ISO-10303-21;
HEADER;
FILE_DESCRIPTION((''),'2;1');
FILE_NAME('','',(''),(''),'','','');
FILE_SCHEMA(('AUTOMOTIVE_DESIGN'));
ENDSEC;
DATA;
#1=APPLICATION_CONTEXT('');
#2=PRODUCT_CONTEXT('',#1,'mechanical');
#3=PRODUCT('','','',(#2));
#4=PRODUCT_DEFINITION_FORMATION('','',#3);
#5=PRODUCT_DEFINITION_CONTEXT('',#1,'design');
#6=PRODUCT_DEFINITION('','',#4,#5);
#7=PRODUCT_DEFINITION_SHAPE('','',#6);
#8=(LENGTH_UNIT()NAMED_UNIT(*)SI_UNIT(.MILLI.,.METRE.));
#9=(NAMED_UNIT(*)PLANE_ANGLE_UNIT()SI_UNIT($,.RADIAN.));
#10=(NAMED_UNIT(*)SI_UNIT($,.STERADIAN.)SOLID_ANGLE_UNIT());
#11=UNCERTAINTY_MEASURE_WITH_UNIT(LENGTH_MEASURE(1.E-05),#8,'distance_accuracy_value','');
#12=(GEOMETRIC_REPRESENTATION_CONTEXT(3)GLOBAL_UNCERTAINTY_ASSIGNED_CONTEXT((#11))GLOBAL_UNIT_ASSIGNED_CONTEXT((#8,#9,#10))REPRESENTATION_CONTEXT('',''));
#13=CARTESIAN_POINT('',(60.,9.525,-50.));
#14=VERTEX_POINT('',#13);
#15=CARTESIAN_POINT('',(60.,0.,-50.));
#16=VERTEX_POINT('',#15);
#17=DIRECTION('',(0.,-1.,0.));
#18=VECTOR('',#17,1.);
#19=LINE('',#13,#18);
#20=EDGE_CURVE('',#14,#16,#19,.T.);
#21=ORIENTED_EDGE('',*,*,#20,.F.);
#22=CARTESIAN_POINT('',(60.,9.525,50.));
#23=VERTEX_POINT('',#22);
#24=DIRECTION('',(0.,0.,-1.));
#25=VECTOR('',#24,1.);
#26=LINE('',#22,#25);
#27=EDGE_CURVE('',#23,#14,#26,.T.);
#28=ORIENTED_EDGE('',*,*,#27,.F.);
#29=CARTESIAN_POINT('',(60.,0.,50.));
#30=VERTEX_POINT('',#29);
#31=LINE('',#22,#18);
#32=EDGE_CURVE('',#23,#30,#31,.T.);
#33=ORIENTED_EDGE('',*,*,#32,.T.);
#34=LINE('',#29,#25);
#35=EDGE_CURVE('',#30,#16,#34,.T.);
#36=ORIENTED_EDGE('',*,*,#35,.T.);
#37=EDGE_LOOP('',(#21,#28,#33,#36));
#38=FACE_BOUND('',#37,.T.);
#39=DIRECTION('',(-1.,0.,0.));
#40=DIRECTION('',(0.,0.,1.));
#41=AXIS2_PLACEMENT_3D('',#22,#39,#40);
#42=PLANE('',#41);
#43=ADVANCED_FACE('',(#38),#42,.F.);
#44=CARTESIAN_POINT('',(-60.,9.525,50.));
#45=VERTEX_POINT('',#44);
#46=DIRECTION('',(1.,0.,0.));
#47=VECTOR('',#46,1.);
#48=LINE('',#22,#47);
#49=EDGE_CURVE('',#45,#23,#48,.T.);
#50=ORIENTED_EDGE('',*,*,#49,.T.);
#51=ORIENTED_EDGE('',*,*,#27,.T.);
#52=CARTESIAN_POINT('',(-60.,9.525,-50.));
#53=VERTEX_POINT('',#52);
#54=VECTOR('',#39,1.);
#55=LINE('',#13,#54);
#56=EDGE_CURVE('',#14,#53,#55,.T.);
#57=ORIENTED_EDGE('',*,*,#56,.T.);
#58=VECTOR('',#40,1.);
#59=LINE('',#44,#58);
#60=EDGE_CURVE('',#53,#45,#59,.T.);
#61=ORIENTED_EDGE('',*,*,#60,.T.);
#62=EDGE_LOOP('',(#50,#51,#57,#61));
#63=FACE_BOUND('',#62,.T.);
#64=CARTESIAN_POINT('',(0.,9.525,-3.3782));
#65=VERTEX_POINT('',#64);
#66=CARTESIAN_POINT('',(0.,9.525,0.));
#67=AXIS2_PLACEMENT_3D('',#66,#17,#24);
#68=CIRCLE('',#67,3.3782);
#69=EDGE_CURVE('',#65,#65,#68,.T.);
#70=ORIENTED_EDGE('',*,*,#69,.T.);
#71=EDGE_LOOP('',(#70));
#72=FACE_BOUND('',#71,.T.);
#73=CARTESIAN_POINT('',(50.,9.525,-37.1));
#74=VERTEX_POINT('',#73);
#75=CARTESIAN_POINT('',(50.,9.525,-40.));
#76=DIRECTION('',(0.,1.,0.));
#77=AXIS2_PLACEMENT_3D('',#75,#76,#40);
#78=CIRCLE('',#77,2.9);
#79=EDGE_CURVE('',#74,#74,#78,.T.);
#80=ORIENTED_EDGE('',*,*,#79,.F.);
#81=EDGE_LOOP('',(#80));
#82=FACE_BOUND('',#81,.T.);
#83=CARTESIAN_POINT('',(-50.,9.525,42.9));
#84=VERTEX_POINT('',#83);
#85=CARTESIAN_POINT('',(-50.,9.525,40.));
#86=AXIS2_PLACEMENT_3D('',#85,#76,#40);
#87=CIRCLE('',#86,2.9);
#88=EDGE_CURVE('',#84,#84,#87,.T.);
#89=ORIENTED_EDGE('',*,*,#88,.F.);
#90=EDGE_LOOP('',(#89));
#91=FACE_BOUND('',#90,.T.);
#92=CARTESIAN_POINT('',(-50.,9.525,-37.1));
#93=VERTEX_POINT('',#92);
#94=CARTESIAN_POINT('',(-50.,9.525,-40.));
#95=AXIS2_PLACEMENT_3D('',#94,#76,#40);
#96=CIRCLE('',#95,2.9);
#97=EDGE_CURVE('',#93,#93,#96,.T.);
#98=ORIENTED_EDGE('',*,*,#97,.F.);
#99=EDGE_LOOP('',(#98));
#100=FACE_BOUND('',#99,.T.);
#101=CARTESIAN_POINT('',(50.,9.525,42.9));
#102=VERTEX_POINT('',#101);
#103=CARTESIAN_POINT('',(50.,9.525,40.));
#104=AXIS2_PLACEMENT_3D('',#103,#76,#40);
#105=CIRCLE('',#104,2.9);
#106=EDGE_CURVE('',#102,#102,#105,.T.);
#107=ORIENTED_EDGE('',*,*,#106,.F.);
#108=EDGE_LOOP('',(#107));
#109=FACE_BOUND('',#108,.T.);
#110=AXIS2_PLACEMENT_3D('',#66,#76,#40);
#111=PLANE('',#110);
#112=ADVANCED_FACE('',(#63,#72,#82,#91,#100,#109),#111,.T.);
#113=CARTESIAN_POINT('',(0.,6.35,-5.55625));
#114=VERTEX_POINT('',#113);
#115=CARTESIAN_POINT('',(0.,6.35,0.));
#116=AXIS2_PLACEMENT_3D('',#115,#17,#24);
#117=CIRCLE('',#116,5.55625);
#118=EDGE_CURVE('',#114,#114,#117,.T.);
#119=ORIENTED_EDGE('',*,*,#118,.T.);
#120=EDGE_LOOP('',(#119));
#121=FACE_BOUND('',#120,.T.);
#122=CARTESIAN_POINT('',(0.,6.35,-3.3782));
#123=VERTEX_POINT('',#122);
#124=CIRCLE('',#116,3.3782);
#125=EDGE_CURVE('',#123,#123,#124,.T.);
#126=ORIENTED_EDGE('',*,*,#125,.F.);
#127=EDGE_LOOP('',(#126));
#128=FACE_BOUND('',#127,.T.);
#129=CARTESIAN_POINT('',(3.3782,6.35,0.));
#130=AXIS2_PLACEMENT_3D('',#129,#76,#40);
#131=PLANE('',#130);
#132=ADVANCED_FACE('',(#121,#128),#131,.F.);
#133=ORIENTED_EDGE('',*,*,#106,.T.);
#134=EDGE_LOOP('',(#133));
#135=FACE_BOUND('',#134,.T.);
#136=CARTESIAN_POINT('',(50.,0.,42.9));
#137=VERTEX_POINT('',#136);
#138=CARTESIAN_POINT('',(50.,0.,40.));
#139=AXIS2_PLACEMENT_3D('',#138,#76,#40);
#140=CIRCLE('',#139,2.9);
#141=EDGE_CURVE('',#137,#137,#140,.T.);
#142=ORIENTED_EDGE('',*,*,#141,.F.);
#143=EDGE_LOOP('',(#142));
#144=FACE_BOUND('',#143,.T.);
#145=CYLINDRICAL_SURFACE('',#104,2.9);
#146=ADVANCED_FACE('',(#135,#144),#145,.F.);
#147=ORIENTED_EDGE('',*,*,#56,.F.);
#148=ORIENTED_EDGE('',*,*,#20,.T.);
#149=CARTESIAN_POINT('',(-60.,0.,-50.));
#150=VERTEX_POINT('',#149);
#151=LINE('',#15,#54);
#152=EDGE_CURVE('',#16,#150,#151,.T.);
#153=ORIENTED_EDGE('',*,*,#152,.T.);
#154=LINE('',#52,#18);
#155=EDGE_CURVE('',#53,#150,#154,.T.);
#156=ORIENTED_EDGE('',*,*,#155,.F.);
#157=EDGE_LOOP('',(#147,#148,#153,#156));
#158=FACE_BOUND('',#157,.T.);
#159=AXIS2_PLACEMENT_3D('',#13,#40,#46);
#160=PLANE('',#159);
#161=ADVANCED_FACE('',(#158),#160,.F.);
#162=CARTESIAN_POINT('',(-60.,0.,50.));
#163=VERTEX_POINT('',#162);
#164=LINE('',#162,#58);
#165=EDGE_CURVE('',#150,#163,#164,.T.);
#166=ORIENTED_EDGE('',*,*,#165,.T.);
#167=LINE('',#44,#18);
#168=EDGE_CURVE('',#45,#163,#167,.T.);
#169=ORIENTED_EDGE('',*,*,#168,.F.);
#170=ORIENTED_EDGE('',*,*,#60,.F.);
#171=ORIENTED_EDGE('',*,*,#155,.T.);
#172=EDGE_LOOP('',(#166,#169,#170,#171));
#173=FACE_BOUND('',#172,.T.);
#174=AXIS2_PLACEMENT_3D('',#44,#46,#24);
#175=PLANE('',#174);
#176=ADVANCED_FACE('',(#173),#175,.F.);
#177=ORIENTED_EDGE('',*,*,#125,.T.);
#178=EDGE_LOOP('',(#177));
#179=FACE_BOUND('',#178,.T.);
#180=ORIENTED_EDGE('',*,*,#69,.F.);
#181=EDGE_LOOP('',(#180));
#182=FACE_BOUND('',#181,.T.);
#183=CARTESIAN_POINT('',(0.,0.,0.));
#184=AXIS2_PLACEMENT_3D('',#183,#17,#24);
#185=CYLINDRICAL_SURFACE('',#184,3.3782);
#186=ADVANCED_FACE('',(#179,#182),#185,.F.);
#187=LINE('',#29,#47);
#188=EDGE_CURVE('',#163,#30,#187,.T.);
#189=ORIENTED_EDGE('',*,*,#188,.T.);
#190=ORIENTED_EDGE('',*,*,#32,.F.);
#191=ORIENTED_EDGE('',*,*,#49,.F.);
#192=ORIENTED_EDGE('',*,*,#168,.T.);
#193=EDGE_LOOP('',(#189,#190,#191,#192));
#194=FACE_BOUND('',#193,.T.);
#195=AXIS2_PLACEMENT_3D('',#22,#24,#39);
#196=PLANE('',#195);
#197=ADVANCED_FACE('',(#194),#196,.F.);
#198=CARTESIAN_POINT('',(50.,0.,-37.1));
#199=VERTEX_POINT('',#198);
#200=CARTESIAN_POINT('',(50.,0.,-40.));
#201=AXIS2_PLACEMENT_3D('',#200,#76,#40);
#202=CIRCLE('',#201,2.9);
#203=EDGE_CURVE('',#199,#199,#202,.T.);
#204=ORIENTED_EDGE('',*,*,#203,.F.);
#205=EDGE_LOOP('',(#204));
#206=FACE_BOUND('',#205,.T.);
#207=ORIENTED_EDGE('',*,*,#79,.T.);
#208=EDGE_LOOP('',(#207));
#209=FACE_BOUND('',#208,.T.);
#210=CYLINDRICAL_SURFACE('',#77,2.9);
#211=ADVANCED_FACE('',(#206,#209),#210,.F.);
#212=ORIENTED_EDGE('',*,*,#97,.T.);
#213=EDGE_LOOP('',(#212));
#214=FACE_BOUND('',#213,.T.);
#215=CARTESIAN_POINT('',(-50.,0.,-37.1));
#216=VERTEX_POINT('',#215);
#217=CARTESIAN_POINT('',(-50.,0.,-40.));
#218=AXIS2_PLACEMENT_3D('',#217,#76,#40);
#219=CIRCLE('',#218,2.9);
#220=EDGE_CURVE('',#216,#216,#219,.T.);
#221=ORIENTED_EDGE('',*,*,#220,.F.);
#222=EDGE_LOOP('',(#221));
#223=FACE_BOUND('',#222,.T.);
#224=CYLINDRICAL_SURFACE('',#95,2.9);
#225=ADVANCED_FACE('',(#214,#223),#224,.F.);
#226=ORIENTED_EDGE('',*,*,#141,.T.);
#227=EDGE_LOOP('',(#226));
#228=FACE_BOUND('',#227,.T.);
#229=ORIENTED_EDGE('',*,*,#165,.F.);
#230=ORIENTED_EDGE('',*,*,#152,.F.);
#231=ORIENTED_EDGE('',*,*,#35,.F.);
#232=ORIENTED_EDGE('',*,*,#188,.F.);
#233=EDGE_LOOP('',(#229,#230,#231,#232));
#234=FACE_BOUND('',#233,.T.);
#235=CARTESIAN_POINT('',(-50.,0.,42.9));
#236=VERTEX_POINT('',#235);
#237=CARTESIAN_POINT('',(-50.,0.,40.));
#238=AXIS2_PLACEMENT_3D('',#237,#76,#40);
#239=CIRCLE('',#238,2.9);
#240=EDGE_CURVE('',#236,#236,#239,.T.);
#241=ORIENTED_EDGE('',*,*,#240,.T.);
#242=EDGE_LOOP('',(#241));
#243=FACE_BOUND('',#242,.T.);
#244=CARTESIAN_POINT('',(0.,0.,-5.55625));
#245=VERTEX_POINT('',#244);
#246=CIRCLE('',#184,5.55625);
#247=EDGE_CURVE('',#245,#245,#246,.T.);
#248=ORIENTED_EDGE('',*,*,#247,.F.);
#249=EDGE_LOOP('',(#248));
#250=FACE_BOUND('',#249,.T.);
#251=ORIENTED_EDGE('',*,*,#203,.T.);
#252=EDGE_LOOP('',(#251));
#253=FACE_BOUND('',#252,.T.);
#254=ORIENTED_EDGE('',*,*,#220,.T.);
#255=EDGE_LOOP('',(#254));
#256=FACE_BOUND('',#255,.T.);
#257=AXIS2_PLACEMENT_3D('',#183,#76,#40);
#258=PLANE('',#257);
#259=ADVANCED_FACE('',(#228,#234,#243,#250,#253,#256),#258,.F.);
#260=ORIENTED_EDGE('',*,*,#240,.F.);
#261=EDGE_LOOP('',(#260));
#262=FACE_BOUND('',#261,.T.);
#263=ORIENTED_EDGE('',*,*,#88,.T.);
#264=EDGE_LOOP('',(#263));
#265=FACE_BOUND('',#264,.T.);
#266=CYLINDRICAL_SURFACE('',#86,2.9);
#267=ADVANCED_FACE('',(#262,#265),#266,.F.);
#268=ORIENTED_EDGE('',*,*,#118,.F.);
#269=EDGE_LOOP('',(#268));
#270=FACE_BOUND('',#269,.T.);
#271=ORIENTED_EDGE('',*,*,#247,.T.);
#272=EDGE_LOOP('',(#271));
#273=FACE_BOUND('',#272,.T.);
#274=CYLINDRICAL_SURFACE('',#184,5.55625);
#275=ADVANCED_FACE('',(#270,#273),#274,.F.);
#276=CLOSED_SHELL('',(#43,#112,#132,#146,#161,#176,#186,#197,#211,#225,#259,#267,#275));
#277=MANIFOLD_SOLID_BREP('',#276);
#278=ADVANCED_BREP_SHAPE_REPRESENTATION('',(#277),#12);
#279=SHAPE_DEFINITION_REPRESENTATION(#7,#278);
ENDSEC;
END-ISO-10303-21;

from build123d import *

# Parameters (mm, degrees)
SKETCH1_W                                        = 120
SKETCH1_H                                        = 100
BOSS_EXTRUDE1_DEPTH                              = 9.525
M5_CLEARANCE_HOLE1_D                             = 5.8
CBORE_FOR_1_4_SOCKET_HEAD_CAP_SCREW1_D           = 6.7564
CBORE_FOR_1_4_SOCKET_HEAD_CAP_SCREW1_CBORE_D     = 11.1125
CBORE_FOR_1_4_SOCKET_HEAD_CAP_SCREW1_CBORE_DEPTH = 6.35


with BuildPart() as part:
    # Sketch1 → Boss-Extrude1 (new body)
    with BuildSketch(Plane(origin=(0, 0, 0), x_dir=(1, 0, 0), z_dir=(0, 1, 0))):
        Rectangle(SKETCH1_W, SKETCH1_H)
    extrude(amount=BOSS_EXTRUDE1_DEPTH)

    # M5 Clearance Hole1 (through all)
    with Locations(Plane(origin=(0, 9.525, 0), x_dir=(1, 0, 0), z_dir=(0, 1, 0))):
        with Locations((-50, -40), (-50, 40), (50, 40), (50, -40)):
            Hole(M5_CLEARANCE_HOLE1_D / 2)

    # CBORE for 1/4 Socket Head Cap Screw1 (through all)
    with Locations(Plane(origin=(0, 0, 0), x_dir=(-1, 0, 0), z_dir=(0, -1, 0))):
        with Locations((0, 0)):
            CounterBoreHole(CBORE_FOR_1_4_SOCKET_HEAD_CAP_SCREW1_D / 2, CBORE_FOR_1_4_SOCKET_HEAD_CAP_SCREW1_CBORE_D / 2, CBORE_FOR_1_4_SOCKET_HEAD_CAP_SCREW1_CBORE_DEPTH)


solid = part.part
